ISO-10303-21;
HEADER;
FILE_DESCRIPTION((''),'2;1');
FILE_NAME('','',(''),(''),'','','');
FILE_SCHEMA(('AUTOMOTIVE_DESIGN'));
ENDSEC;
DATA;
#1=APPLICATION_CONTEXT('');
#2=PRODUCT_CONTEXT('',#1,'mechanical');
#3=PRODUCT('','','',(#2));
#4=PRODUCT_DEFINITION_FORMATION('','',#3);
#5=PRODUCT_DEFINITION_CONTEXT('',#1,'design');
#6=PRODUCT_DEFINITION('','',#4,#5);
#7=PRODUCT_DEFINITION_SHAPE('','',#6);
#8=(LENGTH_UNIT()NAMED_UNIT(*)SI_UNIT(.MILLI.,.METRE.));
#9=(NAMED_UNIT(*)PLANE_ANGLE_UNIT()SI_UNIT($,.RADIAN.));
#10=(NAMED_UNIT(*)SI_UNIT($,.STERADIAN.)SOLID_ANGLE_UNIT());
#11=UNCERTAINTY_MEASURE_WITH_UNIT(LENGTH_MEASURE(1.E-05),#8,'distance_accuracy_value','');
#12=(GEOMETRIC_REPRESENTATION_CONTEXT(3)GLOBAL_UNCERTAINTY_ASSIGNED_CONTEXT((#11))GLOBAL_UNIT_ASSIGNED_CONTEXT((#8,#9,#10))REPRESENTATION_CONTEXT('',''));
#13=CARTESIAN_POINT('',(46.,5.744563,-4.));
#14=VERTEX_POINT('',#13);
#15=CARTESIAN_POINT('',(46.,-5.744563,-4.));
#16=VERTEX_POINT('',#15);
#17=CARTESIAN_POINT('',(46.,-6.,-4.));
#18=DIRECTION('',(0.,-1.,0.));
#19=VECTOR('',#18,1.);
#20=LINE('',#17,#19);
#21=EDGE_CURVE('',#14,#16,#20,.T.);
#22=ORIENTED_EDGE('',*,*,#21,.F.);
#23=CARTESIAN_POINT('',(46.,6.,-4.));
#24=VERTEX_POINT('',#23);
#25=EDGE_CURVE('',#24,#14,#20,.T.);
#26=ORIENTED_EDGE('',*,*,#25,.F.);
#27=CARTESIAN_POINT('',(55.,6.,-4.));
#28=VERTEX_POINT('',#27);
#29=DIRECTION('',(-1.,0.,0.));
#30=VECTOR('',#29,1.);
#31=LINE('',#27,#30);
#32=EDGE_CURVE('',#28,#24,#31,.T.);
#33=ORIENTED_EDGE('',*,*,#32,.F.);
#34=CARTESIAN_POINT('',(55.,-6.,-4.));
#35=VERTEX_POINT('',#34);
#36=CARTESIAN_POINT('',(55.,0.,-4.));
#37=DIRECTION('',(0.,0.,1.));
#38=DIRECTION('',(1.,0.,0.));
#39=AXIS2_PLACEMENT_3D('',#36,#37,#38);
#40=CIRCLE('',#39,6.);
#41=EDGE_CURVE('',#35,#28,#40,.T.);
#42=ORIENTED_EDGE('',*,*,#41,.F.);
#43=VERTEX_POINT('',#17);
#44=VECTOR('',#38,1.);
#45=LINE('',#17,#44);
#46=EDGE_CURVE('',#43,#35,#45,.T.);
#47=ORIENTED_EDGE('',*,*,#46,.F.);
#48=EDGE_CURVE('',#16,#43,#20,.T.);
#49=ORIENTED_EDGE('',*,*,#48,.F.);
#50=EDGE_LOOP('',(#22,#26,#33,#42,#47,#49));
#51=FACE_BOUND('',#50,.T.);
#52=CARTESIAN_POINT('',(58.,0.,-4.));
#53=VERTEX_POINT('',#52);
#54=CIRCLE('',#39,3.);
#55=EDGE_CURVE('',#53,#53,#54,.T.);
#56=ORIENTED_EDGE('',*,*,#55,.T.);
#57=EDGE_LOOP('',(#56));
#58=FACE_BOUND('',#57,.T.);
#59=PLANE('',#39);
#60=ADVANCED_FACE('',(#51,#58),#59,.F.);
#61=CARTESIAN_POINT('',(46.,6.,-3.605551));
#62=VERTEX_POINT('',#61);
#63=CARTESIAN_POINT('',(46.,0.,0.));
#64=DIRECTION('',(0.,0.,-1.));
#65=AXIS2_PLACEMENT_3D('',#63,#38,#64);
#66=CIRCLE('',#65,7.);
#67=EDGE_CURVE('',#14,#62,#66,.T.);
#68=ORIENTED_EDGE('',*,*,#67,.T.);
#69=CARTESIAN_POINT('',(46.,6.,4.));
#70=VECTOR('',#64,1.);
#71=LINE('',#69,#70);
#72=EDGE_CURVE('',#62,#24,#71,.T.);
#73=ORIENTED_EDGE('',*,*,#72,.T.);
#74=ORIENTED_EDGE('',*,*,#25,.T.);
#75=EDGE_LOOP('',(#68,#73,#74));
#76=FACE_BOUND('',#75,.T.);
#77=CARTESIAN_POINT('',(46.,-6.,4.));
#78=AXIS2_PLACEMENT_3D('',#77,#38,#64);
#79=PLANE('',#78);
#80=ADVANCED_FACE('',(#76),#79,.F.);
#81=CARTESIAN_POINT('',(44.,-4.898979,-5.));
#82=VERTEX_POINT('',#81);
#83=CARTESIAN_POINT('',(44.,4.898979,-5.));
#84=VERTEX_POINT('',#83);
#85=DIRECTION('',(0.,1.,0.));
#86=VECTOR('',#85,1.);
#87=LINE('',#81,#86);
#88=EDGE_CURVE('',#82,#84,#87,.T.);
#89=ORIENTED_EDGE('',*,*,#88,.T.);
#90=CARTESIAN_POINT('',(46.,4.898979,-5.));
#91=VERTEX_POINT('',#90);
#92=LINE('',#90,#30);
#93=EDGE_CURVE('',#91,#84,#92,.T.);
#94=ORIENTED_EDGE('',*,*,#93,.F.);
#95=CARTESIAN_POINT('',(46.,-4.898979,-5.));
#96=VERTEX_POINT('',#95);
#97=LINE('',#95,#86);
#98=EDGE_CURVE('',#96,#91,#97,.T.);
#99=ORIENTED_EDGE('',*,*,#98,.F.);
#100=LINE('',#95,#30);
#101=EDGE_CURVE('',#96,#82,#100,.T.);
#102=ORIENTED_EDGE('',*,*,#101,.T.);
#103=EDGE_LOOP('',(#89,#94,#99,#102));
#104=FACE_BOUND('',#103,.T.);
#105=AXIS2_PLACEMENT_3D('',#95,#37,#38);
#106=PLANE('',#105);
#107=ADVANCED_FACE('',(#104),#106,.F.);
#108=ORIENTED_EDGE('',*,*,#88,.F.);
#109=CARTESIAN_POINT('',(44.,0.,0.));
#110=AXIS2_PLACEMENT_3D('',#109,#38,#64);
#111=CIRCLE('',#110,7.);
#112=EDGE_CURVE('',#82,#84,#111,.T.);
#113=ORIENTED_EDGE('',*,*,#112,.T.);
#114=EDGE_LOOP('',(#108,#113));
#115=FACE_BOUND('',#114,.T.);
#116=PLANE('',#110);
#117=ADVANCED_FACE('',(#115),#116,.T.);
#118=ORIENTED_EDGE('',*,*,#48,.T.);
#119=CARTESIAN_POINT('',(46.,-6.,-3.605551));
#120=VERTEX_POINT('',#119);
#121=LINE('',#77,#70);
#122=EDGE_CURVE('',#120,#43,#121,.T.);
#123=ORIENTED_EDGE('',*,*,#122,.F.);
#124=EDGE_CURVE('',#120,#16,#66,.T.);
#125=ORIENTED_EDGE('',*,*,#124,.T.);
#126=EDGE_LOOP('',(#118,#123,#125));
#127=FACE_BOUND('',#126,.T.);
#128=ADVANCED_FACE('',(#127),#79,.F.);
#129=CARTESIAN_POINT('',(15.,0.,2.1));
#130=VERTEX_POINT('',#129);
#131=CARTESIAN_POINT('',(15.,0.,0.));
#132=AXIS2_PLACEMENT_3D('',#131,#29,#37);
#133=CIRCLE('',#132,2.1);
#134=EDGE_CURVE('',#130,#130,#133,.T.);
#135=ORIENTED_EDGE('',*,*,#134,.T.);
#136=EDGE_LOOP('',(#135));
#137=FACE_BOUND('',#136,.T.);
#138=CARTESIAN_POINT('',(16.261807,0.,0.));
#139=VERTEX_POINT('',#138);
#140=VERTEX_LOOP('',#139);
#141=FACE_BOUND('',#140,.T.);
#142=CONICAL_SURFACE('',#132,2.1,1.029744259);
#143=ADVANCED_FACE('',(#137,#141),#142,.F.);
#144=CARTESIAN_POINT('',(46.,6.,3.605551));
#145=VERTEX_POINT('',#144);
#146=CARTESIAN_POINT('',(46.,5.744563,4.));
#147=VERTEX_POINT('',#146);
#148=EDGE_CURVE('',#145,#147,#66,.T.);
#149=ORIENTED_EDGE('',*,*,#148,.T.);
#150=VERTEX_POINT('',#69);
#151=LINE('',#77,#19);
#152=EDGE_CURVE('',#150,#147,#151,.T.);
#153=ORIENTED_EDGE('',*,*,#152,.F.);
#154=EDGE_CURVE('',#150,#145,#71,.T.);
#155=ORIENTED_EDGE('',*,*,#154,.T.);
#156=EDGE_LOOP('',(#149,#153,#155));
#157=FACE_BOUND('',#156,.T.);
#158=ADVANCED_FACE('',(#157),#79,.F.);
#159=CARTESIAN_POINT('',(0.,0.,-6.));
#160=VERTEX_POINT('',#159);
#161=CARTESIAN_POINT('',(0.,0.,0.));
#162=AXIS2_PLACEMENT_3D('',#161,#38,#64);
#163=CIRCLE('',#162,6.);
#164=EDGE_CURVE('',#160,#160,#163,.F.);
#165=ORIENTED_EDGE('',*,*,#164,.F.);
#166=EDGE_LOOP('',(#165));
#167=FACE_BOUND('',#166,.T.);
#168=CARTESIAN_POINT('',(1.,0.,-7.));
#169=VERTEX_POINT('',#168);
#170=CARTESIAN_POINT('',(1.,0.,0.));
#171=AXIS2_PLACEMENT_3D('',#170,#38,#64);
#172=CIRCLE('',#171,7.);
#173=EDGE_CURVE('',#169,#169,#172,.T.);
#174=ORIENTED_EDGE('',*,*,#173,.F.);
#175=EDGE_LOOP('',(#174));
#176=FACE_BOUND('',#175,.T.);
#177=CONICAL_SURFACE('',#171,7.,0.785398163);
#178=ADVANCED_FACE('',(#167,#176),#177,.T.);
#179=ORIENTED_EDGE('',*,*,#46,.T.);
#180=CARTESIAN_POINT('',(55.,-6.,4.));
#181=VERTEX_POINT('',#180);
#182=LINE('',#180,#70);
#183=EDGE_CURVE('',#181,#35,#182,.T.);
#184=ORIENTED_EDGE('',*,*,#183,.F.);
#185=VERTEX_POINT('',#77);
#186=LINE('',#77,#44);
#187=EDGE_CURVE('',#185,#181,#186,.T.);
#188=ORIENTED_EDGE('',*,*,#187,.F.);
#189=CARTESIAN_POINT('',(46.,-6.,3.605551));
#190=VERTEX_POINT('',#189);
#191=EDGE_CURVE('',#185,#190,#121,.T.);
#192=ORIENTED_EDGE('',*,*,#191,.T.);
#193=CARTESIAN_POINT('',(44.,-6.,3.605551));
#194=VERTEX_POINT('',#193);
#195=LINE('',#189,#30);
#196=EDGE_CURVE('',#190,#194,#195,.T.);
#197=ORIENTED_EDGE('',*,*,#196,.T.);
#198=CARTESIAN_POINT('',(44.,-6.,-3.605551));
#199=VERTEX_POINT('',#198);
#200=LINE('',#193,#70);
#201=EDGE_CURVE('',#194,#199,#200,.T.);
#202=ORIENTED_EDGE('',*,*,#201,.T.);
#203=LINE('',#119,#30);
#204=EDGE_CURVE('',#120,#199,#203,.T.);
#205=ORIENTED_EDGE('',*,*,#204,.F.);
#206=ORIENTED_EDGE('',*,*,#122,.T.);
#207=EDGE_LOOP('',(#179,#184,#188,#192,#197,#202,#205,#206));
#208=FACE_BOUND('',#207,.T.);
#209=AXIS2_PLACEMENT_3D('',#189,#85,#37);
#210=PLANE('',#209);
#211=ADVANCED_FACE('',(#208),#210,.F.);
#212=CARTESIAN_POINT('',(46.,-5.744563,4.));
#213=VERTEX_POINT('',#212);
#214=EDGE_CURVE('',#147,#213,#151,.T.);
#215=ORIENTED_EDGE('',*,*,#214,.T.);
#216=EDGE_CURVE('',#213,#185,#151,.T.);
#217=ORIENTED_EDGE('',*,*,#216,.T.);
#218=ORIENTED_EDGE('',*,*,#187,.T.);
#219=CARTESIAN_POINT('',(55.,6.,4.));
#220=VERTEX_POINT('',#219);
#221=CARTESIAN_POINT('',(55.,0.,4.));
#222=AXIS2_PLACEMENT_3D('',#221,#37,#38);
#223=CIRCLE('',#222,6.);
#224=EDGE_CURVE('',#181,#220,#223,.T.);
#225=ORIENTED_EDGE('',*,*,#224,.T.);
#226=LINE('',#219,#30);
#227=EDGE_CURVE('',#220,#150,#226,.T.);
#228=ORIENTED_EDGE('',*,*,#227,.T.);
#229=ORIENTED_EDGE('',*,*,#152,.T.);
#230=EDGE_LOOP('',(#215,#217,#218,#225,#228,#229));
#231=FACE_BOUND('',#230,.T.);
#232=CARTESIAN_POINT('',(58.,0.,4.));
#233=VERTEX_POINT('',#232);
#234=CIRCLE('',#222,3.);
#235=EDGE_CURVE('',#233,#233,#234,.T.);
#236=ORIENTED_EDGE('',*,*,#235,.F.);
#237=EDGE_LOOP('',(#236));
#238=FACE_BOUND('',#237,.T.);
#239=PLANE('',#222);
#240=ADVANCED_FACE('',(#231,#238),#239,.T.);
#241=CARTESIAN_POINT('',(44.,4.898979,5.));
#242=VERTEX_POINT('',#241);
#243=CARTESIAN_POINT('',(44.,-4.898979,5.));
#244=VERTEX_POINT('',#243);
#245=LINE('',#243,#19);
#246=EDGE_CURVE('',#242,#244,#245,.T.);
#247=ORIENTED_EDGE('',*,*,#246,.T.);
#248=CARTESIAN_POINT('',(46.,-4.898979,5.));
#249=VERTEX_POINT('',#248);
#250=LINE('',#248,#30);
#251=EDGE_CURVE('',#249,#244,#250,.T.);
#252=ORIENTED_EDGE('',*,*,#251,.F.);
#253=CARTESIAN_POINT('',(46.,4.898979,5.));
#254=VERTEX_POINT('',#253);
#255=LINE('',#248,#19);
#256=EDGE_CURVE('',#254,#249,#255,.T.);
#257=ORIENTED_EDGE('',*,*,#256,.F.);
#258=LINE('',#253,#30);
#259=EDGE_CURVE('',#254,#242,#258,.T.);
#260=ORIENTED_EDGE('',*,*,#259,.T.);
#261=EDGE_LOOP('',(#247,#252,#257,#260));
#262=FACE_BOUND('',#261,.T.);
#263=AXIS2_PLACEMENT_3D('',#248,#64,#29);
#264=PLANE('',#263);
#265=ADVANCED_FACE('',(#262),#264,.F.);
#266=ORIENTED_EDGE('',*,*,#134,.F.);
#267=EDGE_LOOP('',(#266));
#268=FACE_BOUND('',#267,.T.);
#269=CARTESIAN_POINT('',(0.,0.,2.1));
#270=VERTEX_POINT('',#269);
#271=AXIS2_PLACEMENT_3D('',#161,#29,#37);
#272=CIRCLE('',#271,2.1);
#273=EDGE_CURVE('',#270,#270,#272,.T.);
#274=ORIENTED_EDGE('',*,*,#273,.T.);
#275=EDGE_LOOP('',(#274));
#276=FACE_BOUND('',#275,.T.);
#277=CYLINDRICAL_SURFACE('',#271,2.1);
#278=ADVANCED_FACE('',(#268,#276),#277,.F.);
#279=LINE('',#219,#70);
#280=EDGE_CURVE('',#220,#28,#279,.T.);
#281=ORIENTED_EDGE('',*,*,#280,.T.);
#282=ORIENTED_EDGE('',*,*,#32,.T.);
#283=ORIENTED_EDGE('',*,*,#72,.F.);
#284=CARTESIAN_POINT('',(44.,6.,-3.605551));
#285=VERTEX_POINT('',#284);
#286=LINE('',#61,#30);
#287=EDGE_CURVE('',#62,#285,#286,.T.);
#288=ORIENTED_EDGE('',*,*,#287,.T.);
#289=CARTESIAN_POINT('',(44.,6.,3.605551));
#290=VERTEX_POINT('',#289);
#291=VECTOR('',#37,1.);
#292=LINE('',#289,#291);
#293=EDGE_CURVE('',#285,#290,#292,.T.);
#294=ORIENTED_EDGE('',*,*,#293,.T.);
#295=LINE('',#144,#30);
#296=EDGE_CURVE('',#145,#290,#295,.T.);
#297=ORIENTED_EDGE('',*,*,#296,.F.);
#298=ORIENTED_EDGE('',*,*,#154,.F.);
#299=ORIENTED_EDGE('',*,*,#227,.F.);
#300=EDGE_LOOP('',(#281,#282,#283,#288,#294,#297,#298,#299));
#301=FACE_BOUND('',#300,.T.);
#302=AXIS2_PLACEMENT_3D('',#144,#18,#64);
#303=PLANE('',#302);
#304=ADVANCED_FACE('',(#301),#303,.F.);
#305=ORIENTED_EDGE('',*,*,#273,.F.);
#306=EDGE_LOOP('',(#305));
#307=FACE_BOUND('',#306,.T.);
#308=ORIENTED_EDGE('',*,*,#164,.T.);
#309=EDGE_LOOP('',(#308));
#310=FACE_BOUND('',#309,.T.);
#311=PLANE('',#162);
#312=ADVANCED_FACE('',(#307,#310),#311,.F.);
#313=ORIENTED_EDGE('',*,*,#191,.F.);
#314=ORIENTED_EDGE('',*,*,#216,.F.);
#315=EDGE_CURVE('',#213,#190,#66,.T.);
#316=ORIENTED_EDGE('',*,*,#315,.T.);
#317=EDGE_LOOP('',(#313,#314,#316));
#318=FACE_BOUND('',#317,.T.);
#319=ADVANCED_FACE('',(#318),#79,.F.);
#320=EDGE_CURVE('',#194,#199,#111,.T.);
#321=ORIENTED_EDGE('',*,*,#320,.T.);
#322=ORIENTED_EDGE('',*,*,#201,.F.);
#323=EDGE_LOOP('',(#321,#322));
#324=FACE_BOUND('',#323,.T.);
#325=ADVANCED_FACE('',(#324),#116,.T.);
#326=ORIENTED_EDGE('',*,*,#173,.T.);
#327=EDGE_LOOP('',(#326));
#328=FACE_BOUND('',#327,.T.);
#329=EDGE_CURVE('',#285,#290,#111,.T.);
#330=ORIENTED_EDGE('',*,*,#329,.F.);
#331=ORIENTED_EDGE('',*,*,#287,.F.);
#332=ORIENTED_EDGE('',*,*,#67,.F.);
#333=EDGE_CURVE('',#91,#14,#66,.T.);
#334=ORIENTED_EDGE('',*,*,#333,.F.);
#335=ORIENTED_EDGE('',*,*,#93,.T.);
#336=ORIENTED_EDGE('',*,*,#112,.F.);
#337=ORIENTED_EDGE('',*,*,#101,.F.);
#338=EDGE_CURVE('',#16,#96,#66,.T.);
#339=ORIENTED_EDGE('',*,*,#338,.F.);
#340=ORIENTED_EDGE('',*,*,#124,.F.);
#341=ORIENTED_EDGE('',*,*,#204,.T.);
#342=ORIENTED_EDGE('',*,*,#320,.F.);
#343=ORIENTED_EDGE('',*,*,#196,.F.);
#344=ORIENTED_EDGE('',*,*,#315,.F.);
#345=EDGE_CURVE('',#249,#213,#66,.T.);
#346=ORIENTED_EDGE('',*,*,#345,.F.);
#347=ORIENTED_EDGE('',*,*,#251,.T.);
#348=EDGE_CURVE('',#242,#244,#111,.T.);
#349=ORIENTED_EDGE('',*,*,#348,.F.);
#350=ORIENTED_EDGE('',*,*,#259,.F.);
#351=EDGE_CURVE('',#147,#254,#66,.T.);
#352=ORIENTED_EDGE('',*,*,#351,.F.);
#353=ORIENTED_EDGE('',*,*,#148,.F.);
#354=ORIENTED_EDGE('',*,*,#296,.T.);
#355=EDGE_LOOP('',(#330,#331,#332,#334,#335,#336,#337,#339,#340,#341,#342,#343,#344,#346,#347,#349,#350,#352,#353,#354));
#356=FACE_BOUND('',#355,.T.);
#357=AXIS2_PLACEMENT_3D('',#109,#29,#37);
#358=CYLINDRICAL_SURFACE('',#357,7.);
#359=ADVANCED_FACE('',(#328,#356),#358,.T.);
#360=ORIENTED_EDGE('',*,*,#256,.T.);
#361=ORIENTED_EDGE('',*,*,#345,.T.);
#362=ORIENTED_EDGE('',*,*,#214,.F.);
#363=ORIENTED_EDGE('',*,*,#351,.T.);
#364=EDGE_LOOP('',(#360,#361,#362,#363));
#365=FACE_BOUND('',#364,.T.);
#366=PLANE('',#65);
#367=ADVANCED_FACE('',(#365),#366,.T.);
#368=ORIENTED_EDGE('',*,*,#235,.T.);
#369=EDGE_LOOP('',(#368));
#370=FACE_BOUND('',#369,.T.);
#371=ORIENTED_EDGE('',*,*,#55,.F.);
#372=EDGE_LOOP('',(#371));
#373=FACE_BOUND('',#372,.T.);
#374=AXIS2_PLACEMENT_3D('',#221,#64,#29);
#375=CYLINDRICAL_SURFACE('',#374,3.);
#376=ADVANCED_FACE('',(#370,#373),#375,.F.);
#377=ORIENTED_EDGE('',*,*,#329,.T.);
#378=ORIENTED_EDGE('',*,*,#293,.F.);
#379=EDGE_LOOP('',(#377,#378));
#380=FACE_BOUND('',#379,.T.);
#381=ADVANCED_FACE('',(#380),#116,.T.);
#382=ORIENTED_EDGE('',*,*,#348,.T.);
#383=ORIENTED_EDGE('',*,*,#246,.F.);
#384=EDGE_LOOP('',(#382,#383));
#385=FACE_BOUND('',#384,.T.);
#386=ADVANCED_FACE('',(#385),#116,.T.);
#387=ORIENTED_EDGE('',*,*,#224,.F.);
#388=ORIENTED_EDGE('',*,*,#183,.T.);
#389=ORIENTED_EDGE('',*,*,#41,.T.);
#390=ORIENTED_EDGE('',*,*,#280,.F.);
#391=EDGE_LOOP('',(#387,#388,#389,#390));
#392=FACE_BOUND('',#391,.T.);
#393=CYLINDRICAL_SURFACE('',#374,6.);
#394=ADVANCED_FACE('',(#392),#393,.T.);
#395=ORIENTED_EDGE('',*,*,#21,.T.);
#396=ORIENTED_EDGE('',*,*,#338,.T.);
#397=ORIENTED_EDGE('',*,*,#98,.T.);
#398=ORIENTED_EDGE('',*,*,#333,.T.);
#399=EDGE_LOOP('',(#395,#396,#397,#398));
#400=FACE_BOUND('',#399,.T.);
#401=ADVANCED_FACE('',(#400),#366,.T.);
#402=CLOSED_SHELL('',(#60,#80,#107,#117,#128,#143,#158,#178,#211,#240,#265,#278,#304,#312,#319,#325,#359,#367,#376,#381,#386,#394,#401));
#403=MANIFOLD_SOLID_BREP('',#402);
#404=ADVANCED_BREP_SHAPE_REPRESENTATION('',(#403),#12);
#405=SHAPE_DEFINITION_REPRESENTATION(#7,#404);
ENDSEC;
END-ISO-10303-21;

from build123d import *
from build123d.topology import SkipClean

# Parameters (mm, degrees)
SKETCH1_R                   = 7
BOSS_EXTRUDE1_DEPTH         = 44
BOSS_EXTRUDE2_DEPTH         = 2
SKETCH3_R                   = 3
BOSS_EXTRUDE3_DEPTH         = 4
TAP_DRILL_FOR_M5_TAP1_D     = 4.2
TAP_DRILL_FOR_M5_TAP1_DEPTH = 15
TAP_DRILL_FOR_M5_TAP1_TIP   = 1.2618073
CHAMFER1_SIZE               = 1


with BuildPart() as part:
    # Sketch1 → Boss-Extrude1 (new body)
    with BuildSketch(Plane.YZ):
        with Locations(Location((0, 0, 0), (0, 0, 270))):
            Circle(SKETCH1_R)
    extrude(amount=BOSS_EXTRUDE1_DEPTH)

    # Sketch2 → Boss-Extrude2 (add)
    with SkipClean():  # the faces are left unmerged after this step: merging them gives an invalid solid
        with BuildSketch(Plane.YZ.offset(44)):
            with BuildLine():
                Line((-4.898979486, 5), (4.898979486, 5))
                ThreePointArc((4.898979486, 5), (5.4939112, 4.337849667), (6, 3.605551275))
                Line((6, 3.605551275), (6, -3.605551275))
                ThreePointArc((6, -3.605551275), (5.4939112, -4.337849667), (4.898979486, -5))
                Line((4.898979486, -5), (-4.898979486, -5))
                ThreePointArc((-4.898979486, -5), (-5.4939112, -4.337849667), (-6, -3.605551275))
                Line((-6, -3.605551275), (-6, 3.605551275))
                ThreePointArc((-6, 3.605551275), (-5.4939112, 4.337849667), (-4.898979486, 5))
            make_face()
        extrude(amount=BOSS_EXTRUDE2_DEPTH)

    # Sketch3 → Boss-Extrude3 (add, symmetric)
    with SkipClean():  # the faces are left unmerged after this step: merging them gives an invalid solid
        with BuildSketch(Plane(origin=(0, 0, 0), x_dir=(0, 1, 0), z_dir=(0, 0, 1))):
            with BuildLine():
                Line((-6, -46), (6, -46))
                Line((6, -46), (6, -55))
                ThreePointArc((6, -55), (0, -61), (-6, -55))
                Line((-6, -55), (-6, -46))
            make_face()
            with Locations(Location((0, -55, 0), (0, 0, 270))):
                Circle(SKETCH3_R, mode=Mode.SUBTRACT)
        extrude(amount=BOSS_EXTRUDE3_DEPTH, both=True)

    # Tap Drill for M5 Tap1
    with Locations(Plane(origin=(0, 0, 0), x_dir=(0, -1, 0), z_dir=(-1, 0, 0))):
        with Locations((0, 0)):
            Hole(TAP_DRILL_FOR_M5_TAP1_D / 2, depth=TAP_DRILL_FOR_M5_TAP1_DEPTH)
            with Locations((0, 0, -(TAP_DRILL_FOR_M5_TAP1_DEPTH + TAP_DRILL_FOR_M5_TAP1_TIP / 2))):  # 118° drill point
                Cone(0, TAP_DRILL_FOR_M5_TAP1_D / 2, TAP_DRILL_FOR_M5_TAP1_TIP, mode=Mode.SUBTRACT)

    # Chamfer1
    chamfer1_edges = [part.edges().sort_by_distance(p)[0] for p in [
        (0, 0, 7),
    ]]
    chamfer(chamfer1_edges, length=CHAMFER1_SIZE)


solid = part.part
